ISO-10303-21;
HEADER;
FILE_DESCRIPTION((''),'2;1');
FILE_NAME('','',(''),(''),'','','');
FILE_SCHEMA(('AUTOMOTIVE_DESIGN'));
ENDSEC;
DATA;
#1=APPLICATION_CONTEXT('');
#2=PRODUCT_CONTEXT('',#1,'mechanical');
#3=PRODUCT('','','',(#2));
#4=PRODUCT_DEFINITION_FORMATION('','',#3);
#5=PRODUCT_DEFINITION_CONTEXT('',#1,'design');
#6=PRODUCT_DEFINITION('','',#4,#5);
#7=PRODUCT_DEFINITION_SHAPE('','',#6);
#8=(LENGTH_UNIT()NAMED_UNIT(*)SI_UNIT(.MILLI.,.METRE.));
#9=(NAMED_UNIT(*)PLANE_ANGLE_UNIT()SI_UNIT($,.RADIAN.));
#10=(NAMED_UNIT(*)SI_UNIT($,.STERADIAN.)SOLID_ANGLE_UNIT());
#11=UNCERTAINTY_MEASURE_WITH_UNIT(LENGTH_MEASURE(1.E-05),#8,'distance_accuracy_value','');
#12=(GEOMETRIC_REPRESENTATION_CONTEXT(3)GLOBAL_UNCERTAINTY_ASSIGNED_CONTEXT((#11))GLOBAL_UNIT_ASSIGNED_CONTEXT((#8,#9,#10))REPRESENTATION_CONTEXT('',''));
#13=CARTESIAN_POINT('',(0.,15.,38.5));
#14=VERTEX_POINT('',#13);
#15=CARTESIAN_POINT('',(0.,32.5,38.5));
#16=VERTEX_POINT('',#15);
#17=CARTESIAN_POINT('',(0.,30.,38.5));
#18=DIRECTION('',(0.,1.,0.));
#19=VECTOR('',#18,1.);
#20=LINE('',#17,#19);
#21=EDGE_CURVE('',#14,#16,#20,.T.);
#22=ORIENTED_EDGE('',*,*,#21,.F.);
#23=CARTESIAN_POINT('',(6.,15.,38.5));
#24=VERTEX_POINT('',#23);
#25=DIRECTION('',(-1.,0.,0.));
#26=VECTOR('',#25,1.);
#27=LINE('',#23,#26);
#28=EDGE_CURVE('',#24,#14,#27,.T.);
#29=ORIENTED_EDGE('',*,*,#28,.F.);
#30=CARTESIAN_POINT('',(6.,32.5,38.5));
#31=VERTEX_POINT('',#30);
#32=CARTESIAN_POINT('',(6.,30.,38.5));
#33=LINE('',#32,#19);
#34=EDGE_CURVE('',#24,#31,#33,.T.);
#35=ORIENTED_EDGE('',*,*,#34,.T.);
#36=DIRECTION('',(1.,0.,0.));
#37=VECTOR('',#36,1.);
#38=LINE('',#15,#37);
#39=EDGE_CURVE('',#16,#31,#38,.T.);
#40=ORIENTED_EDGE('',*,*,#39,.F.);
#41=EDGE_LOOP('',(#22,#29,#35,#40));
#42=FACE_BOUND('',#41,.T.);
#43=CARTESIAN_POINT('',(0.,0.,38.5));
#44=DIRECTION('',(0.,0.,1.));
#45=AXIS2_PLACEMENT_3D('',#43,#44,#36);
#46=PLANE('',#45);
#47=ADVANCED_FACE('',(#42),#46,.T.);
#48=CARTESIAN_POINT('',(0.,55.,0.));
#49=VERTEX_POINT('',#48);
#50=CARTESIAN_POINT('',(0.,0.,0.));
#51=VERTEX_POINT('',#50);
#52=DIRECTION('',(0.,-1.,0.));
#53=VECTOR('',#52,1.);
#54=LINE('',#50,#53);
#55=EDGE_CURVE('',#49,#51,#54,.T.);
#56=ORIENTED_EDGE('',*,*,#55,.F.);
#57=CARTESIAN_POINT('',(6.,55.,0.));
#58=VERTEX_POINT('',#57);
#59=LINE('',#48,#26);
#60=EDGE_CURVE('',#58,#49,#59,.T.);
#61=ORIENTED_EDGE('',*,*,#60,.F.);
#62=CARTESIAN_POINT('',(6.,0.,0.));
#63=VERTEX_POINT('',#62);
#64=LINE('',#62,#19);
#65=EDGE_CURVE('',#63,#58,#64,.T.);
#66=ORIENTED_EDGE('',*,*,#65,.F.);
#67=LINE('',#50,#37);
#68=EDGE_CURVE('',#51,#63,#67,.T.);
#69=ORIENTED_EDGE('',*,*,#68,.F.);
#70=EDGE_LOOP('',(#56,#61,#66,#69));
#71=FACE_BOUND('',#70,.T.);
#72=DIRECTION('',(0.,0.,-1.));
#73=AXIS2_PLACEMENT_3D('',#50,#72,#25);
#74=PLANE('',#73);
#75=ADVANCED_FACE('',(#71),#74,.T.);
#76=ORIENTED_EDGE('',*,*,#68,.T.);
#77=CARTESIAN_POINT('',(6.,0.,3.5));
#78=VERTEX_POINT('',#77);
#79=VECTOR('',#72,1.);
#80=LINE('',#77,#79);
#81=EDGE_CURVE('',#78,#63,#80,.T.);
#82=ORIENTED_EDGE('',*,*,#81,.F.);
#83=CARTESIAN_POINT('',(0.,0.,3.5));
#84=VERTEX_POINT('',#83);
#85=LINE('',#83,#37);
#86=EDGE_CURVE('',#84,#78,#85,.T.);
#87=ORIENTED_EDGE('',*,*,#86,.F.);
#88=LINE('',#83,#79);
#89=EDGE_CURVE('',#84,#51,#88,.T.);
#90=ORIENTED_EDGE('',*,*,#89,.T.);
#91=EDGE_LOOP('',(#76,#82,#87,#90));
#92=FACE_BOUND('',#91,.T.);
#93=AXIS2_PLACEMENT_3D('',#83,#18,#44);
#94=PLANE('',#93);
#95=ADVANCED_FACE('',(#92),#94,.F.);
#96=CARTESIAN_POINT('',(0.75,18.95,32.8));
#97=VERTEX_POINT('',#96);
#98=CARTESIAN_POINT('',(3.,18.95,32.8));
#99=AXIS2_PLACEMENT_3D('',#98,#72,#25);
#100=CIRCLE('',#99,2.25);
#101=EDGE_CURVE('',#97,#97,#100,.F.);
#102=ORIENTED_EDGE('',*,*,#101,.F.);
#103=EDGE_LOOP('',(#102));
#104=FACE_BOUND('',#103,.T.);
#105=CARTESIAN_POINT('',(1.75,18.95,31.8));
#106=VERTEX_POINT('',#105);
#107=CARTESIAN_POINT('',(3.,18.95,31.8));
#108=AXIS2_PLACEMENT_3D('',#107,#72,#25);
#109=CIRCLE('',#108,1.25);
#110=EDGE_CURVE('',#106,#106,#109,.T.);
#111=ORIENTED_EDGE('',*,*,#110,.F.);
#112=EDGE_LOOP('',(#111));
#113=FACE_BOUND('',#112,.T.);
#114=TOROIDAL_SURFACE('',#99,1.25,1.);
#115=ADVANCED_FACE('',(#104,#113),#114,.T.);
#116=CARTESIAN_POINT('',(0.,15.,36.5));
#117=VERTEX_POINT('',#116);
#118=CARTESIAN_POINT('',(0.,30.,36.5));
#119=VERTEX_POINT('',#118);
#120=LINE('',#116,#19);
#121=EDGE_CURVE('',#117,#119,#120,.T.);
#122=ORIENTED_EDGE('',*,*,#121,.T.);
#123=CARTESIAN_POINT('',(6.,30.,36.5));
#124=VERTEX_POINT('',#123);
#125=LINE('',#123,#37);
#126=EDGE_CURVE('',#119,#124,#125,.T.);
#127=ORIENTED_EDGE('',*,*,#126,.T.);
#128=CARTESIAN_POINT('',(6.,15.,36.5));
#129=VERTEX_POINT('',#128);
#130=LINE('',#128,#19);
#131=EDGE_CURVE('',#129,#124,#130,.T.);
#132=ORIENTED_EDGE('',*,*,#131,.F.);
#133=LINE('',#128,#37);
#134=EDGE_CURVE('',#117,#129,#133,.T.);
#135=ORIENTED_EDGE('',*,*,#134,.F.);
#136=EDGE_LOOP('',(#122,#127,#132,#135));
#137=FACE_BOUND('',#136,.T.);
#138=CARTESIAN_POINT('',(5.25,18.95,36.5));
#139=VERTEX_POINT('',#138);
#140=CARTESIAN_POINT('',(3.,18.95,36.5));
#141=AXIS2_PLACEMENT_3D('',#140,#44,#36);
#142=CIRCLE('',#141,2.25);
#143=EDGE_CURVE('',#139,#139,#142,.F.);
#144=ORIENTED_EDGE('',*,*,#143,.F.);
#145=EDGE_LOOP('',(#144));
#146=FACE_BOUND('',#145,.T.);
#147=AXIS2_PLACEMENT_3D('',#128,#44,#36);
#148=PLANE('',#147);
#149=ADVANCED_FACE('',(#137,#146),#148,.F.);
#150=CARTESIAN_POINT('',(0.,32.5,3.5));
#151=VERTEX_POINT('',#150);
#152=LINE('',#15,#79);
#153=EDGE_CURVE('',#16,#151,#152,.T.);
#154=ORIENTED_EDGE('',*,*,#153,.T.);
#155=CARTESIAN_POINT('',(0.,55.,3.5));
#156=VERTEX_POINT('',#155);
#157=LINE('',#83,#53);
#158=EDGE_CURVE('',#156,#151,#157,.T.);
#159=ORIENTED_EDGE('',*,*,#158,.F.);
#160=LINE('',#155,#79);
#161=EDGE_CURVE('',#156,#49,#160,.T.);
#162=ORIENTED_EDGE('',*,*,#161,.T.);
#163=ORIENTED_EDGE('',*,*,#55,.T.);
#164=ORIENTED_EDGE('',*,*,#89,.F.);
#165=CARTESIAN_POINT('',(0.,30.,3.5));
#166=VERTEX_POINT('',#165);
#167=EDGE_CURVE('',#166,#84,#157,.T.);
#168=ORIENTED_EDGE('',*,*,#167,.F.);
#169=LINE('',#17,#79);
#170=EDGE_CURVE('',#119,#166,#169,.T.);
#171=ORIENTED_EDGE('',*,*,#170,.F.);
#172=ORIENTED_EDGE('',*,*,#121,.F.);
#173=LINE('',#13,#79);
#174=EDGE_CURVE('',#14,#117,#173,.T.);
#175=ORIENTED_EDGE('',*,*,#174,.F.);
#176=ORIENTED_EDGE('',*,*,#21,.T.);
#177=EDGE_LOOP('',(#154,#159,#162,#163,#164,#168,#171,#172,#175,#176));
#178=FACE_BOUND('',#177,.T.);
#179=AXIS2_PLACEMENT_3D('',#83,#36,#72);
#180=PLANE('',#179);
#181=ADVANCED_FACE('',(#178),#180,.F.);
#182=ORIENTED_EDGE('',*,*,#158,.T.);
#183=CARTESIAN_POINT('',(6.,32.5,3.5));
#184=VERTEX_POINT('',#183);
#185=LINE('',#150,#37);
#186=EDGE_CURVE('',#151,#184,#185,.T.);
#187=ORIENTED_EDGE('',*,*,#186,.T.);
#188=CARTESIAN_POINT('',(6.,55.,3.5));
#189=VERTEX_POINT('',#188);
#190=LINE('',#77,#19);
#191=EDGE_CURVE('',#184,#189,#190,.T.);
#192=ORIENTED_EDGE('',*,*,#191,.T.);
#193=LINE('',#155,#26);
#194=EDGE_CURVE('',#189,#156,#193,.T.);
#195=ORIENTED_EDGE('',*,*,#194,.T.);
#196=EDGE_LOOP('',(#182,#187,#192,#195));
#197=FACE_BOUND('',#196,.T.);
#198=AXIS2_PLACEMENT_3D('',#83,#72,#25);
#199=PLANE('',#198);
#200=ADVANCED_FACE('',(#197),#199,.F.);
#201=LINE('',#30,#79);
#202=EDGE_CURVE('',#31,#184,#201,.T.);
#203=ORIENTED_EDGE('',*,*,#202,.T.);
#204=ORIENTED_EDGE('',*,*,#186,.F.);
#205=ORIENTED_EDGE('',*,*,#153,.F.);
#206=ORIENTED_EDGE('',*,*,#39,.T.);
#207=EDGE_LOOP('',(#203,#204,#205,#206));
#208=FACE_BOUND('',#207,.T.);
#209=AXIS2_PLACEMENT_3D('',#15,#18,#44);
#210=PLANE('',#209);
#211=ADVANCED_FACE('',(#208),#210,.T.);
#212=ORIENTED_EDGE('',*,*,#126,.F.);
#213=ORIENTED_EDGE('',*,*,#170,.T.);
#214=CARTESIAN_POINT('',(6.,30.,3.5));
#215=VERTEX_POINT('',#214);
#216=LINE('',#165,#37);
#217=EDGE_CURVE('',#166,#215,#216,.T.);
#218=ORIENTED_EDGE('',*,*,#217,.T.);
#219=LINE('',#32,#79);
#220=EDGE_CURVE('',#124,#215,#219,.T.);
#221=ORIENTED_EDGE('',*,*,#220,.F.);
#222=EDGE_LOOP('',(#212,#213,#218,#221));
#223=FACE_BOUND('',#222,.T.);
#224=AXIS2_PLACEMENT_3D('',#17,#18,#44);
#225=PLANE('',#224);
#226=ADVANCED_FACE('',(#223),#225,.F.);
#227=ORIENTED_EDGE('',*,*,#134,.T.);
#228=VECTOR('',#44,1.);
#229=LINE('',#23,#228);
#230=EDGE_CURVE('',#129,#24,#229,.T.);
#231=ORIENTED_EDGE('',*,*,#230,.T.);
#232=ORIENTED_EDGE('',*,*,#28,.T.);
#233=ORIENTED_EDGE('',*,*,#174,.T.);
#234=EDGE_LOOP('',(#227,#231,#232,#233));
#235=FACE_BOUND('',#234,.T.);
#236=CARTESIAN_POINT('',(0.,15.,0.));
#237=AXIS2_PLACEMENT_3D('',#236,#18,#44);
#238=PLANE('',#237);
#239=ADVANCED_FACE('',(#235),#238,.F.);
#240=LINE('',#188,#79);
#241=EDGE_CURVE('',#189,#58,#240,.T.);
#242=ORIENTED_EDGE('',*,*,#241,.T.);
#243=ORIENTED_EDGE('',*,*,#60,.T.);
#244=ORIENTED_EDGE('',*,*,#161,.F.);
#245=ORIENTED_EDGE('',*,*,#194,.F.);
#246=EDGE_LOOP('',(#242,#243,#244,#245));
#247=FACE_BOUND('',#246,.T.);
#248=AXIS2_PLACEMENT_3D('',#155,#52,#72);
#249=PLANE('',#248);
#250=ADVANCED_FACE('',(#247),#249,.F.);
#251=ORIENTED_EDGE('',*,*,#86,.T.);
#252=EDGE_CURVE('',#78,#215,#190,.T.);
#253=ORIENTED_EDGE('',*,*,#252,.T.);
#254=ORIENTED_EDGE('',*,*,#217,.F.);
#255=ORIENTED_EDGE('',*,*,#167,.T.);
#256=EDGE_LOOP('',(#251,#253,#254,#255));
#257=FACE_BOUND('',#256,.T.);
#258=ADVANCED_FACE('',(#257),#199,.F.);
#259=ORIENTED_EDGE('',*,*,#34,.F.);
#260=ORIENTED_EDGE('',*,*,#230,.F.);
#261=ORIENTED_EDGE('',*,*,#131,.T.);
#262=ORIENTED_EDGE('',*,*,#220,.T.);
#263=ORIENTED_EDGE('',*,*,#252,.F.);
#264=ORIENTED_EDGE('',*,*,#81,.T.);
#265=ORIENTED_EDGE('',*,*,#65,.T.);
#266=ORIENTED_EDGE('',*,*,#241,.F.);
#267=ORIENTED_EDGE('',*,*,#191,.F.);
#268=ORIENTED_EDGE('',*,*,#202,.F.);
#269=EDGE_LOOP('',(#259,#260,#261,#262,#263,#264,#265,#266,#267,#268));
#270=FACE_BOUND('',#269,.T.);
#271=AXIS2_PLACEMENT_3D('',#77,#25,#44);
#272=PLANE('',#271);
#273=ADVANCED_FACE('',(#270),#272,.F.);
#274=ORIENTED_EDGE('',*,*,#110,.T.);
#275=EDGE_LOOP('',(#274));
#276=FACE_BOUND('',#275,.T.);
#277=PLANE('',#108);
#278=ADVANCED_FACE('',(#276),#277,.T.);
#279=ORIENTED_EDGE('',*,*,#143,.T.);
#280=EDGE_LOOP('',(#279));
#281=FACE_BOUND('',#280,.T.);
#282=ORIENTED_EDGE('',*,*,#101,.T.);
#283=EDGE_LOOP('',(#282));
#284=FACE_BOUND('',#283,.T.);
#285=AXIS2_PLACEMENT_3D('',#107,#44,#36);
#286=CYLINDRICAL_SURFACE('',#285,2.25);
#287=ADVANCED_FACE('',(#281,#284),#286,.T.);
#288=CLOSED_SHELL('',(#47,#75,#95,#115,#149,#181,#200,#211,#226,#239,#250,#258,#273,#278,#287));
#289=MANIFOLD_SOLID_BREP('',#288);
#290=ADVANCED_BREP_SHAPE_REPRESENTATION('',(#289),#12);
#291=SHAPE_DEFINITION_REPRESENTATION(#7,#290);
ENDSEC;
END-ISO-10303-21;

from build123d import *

# Parameters (mm, degrees)
ESQUISSE1_W        = 6
ESQUISSE1_H        = 55
BOSS_EXTRU_1_DEPTH = 3.5
ESQUISSE2_W        = 6
ESQUISSE2_H        = 2.5
BOSS_EXTRU_2_DEPTH = 35
ESQUISSE4_W        = 6
ESQUISSE4_H        = 2
BOSS_EXTRU_3_DEPTH = 15
ESQUISSE10_R       = 2.25
BOSS_EXTRU_4_DEPTH = 4.7
CONG_5_R           = 1


with BuildPart() as part:
    # Esquisse1 → Boss.-Extru.1 (new body)
    with BuildSketch(Plane.XY):
        with Locations((3, 27.5)):
            Rectangle(ESQUISSE1_W, ESQUISSE1_H)
    extrude(amount=BOSS_EXTRU_1_DEPTH)

    # Esquisse2 → Boss.-Extru.2 (add)
    with BuildSketch(Plane.XY.offset(3.5)):
        with Locations((3, 31.25)):
            Rectangle(ESQUISSE2_W, ESQUISSE2_H)
    extrude(amount=BOSS_EXTRU_2_DEPTH)

    # Esquisse4 → Boss.-Extru.3 (add)
    with BuildSketch(Plane(origin=(0, 30, 0), x_dir=(-1, 0, 0), z_dir=(0, -1, 0))):
        with Locations((-3, -37.5)):
            Rectangle(ESQUISSE4_W, ESQUISSE4_H)
    extrude(amount=BOSS_EXTRU_3_DEPTH)

    # Esquisse10 → Boss.-Extru.4 (add)
    with BuildSketch(Plane(origin=(0, 0, 36.5), x_dir=(-1, 0, 0), z_dir=(0, 0, -1))):
        with Locations(Location((-3, 18.95, 0), (0, 0, 180))):
            Circle(ESQUISSE10_R)
    extrude(amount=BOSS_EXTRU_4_DEPTH)

    # Congé5
    cong_5_edges = [part.edges().sort_by_distance(p)[0] for p in [
        (0.75, 18.95, 31.8),
    ]]
    fillet(cong_5_edges, radius=CONG_5_R)


solid = part.part
